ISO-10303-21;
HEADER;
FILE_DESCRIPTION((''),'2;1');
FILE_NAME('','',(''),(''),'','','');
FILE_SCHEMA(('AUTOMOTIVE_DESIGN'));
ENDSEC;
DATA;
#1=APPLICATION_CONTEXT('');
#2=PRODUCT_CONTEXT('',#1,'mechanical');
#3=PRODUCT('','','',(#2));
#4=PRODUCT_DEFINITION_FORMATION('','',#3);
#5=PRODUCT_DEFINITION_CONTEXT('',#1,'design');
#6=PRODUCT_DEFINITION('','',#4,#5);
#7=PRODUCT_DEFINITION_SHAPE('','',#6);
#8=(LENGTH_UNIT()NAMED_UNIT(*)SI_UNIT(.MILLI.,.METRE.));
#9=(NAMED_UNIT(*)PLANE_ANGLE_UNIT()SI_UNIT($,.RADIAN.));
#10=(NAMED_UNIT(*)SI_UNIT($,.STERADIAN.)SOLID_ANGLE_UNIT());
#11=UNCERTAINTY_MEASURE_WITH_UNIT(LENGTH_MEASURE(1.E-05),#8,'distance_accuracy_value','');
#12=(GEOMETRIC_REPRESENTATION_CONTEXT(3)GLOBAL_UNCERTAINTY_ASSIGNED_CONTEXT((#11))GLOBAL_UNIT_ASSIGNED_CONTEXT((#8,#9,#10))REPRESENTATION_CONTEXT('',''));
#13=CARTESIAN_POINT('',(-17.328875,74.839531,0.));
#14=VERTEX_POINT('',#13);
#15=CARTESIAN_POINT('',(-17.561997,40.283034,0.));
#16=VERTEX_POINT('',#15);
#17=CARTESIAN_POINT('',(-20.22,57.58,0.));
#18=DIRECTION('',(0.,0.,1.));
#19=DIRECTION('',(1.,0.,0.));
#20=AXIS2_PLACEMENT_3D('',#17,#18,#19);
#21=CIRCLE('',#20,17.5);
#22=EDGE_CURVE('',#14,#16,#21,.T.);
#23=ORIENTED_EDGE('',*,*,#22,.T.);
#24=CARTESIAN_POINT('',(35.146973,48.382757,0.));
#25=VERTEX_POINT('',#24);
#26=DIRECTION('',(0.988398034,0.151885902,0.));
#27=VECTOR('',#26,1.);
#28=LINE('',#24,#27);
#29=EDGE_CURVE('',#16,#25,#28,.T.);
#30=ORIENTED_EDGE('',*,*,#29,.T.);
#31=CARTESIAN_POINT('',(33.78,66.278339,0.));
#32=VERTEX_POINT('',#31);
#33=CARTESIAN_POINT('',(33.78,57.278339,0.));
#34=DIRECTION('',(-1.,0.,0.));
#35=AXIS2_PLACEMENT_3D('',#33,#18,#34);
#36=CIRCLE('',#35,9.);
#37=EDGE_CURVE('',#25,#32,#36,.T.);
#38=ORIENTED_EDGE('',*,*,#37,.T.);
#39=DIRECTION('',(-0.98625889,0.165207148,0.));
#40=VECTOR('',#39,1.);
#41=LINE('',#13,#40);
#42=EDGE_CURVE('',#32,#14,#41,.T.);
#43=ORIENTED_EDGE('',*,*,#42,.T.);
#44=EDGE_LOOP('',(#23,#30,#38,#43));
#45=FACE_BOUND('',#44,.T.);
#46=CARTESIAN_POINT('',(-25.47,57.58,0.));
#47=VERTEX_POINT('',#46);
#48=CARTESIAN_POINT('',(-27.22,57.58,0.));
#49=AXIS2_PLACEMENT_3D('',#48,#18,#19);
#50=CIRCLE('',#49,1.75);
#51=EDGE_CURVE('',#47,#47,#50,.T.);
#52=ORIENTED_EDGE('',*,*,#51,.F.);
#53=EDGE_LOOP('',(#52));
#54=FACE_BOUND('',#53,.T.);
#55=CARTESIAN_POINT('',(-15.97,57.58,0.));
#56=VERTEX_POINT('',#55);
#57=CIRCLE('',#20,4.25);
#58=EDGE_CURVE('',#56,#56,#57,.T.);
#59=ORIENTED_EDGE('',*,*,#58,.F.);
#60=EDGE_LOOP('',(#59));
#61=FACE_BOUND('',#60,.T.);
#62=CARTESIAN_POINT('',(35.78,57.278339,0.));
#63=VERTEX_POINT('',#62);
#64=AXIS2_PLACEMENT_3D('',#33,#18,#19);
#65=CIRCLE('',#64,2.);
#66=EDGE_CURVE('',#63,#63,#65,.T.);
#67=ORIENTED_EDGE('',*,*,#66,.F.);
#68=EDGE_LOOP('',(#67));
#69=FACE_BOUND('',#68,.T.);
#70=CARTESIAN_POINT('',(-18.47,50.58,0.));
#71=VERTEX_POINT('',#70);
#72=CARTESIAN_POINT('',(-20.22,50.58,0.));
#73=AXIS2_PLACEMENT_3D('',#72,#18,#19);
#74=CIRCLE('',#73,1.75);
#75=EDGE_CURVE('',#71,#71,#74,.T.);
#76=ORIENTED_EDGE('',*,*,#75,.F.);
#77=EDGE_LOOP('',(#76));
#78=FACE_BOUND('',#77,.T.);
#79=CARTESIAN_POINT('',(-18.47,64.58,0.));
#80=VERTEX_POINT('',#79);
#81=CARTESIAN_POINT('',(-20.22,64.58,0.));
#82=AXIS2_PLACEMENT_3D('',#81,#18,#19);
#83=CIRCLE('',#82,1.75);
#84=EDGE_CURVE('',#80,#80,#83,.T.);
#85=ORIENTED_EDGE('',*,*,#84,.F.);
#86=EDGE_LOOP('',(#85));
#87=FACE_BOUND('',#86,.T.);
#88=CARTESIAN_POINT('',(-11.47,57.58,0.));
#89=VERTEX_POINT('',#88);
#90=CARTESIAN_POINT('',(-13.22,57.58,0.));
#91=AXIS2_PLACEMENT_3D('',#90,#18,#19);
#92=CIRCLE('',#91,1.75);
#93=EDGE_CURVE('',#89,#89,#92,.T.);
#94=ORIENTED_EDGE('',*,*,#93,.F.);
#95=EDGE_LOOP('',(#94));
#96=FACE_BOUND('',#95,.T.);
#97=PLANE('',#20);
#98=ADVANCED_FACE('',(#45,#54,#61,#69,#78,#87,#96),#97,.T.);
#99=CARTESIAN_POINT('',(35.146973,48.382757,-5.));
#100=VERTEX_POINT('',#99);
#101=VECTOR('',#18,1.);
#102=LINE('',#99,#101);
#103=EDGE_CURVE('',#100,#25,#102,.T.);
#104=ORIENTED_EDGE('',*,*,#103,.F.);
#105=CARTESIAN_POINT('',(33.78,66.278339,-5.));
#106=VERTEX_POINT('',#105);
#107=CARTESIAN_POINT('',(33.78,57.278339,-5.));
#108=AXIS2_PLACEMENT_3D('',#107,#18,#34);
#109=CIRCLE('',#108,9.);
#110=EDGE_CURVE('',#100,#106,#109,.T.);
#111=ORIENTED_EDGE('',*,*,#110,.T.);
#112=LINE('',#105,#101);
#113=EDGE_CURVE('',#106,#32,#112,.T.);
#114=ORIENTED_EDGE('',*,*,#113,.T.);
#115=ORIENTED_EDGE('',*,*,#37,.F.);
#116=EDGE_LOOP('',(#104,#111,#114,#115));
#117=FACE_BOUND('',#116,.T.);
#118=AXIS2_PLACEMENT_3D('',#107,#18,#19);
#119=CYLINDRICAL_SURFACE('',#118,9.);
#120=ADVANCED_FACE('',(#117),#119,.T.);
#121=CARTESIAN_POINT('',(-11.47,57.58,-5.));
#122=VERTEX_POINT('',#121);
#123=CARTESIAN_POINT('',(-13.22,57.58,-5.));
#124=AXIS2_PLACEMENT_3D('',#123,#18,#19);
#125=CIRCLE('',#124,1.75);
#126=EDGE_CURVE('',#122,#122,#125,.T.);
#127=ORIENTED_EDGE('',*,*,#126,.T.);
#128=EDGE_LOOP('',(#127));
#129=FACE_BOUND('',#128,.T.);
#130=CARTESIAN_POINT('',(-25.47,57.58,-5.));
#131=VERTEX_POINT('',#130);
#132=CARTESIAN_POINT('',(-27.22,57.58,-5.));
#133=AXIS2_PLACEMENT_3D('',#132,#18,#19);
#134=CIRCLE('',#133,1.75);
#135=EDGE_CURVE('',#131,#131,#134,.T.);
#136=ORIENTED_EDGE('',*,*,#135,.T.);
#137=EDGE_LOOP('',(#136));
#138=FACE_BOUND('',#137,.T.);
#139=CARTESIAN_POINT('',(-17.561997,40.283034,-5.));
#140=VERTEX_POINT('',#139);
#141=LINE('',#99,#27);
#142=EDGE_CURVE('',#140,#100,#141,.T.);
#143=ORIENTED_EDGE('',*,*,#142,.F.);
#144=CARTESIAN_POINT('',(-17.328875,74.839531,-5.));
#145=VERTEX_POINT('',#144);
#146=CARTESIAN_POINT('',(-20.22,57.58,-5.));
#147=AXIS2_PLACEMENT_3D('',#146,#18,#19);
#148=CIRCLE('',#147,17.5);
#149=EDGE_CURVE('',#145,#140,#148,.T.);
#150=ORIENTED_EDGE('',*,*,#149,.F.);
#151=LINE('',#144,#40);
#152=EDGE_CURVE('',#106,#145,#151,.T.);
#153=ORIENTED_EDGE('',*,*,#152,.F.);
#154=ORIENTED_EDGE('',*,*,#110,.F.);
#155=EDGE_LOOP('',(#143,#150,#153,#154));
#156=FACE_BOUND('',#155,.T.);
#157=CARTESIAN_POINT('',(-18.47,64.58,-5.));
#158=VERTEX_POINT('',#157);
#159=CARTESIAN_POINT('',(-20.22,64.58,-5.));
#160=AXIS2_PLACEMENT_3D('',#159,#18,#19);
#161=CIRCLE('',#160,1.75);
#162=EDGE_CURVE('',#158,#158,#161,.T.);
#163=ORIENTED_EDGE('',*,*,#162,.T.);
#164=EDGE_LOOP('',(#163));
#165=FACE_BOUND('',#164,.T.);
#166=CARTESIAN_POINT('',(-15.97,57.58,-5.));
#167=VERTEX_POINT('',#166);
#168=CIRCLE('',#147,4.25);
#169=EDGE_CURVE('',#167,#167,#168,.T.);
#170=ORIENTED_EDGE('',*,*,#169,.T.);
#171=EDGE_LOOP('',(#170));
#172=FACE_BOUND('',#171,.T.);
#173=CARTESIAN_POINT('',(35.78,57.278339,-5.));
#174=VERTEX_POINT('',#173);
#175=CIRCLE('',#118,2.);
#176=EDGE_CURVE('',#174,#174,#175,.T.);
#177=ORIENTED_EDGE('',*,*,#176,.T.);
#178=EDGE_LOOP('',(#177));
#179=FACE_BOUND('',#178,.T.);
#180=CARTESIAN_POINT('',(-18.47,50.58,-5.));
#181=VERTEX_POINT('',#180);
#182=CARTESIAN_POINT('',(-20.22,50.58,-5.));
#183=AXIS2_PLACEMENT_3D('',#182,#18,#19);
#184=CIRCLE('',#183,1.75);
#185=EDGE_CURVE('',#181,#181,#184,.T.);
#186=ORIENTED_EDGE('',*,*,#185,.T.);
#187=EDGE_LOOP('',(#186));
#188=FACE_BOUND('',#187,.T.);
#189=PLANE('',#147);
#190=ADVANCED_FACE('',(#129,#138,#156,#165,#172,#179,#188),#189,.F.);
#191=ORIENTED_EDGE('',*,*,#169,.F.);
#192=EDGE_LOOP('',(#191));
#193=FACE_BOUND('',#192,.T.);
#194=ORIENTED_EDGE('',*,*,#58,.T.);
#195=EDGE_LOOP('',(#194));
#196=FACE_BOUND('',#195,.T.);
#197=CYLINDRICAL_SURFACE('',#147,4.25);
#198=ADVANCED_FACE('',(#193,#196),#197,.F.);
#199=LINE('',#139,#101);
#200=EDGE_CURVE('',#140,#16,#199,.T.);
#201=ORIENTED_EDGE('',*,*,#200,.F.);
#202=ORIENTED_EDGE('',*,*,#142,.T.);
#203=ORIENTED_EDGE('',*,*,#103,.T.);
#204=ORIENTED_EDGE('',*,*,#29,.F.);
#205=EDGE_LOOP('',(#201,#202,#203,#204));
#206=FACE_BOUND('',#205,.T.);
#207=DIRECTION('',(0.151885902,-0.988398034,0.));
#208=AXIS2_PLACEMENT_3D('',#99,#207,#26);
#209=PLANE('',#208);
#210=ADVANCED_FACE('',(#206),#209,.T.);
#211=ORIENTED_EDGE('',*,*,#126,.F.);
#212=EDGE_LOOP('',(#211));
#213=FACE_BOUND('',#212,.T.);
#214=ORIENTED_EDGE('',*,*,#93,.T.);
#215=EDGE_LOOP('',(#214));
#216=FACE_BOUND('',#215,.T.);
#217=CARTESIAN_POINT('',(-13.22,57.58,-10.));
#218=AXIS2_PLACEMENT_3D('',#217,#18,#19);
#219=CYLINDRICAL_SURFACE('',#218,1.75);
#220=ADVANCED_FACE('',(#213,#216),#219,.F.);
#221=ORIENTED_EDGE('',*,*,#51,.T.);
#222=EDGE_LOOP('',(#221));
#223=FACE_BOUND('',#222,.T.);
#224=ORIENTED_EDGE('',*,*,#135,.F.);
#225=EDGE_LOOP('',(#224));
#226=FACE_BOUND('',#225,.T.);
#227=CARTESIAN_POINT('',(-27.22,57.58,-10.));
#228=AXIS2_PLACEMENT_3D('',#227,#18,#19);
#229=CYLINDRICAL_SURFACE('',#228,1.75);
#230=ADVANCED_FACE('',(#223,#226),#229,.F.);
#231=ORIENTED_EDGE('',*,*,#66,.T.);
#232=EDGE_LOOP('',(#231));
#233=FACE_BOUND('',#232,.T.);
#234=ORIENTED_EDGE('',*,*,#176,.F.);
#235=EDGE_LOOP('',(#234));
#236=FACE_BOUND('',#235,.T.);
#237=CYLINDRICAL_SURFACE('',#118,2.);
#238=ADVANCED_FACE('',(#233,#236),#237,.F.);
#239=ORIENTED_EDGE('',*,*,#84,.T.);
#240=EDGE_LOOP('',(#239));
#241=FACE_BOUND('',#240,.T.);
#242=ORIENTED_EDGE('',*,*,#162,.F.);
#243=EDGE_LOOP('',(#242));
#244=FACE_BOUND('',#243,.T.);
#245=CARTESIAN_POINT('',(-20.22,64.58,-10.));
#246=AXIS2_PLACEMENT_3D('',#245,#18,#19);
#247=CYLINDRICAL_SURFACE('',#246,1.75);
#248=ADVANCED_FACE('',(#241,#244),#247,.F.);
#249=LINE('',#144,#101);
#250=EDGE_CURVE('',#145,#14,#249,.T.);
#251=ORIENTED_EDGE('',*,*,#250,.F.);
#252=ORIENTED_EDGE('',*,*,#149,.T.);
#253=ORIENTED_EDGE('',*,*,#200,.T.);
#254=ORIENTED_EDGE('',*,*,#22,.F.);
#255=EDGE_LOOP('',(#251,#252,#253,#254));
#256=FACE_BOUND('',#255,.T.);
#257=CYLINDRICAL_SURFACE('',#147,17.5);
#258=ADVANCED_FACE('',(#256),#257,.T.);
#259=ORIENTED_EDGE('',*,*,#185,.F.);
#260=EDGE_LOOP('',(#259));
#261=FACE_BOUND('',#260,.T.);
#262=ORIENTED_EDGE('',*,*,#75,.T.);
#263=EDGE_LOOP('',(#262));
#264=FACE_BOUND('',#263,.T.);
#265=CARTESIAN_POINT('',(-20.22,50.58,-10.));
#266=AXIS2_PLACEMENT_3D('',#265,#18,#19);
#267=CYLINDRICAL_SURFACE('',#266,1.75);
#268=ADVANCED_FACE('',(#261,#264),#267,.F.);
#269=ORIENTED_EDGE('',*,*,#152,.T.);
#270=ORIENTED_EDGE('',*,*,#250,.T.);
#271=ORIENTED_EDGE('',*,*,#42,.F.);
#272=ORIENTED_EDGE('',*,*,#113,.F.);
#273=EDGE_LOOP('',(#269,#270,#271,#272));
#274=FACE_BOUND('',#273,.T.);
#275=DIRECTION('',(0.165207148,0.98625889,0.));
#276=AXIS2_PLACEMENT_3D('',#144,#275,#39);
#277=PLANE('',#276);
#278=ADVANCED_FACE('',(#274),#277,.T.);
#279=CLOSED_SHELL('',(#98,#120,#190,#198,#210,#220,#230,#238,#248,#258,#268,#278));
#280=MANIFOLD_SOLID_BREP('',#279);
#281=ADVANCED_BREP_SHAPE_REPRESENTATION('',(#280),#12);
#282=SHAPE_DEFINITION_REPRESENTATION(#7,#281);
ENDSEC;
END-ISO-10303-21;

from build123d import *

# Parameters (mm, degrees)
SKETCH2_R           = 4.25
SKETCH2_R_2         = 2
BOSS_EXTRUDE1_DEPTH = 5
SKETCH_1_R          = 1.75
CUT_EXTRUDE_1_DEPTH = 10


with BuildPart() as part:
    # Sketch2 → Boss-Extrude1 (new body)
    with BuildSketch(Plane.XY):
        with BuildLine():
            Line((-17.328874887, 74.839530577), (33.78000003, 66.278338859))
            ThreePointArc((33.78000003, 66.278338859), (42.753857637, 57.963816533), (35.14697315, 48.382756557))
            Line((35.14697315, 48.382756557), (-17.561996681, 40.283034413))
            ThreePointArc((-17.561996681, 40.283034413), (-37.719601772, 57.698054173), (-17.328874887, 74.839530577))
        make_face()
        with Locations((-20.21999997, 57.58)):
            Circle(SKETCH2_R, mode=Mode.SUBTRACT)
        with Locations((33.78000003, 57.278338859)):
            Circle(SKETCH2_R_2, mode=Mode.SUBTRACT)
    extrude(amount=-BOSS_EXTRUDE1_DEPTH)

    # 草图1 → 切除-拉伸1 (cut)
    with BuildSketch(Plane.XY):
        with Locations((-13.21999997, 57.58)):
            Circle(SKETCH_1_R)
        with Locations((-27.21999997, 57.58)):
            Circle(SKETCH_1_R)
        with Locations((-20.21999997, 64.58)):
            Circle(SKETCH_1_R)
        with Locations((-20.21999997, 50.58)):
            Circle(SKETCH_1_R)
    extrude(amount=-CUT_EXTRUDE_1_DEPTH, mode=Mode.SUBTRACT)


solid = part.part
